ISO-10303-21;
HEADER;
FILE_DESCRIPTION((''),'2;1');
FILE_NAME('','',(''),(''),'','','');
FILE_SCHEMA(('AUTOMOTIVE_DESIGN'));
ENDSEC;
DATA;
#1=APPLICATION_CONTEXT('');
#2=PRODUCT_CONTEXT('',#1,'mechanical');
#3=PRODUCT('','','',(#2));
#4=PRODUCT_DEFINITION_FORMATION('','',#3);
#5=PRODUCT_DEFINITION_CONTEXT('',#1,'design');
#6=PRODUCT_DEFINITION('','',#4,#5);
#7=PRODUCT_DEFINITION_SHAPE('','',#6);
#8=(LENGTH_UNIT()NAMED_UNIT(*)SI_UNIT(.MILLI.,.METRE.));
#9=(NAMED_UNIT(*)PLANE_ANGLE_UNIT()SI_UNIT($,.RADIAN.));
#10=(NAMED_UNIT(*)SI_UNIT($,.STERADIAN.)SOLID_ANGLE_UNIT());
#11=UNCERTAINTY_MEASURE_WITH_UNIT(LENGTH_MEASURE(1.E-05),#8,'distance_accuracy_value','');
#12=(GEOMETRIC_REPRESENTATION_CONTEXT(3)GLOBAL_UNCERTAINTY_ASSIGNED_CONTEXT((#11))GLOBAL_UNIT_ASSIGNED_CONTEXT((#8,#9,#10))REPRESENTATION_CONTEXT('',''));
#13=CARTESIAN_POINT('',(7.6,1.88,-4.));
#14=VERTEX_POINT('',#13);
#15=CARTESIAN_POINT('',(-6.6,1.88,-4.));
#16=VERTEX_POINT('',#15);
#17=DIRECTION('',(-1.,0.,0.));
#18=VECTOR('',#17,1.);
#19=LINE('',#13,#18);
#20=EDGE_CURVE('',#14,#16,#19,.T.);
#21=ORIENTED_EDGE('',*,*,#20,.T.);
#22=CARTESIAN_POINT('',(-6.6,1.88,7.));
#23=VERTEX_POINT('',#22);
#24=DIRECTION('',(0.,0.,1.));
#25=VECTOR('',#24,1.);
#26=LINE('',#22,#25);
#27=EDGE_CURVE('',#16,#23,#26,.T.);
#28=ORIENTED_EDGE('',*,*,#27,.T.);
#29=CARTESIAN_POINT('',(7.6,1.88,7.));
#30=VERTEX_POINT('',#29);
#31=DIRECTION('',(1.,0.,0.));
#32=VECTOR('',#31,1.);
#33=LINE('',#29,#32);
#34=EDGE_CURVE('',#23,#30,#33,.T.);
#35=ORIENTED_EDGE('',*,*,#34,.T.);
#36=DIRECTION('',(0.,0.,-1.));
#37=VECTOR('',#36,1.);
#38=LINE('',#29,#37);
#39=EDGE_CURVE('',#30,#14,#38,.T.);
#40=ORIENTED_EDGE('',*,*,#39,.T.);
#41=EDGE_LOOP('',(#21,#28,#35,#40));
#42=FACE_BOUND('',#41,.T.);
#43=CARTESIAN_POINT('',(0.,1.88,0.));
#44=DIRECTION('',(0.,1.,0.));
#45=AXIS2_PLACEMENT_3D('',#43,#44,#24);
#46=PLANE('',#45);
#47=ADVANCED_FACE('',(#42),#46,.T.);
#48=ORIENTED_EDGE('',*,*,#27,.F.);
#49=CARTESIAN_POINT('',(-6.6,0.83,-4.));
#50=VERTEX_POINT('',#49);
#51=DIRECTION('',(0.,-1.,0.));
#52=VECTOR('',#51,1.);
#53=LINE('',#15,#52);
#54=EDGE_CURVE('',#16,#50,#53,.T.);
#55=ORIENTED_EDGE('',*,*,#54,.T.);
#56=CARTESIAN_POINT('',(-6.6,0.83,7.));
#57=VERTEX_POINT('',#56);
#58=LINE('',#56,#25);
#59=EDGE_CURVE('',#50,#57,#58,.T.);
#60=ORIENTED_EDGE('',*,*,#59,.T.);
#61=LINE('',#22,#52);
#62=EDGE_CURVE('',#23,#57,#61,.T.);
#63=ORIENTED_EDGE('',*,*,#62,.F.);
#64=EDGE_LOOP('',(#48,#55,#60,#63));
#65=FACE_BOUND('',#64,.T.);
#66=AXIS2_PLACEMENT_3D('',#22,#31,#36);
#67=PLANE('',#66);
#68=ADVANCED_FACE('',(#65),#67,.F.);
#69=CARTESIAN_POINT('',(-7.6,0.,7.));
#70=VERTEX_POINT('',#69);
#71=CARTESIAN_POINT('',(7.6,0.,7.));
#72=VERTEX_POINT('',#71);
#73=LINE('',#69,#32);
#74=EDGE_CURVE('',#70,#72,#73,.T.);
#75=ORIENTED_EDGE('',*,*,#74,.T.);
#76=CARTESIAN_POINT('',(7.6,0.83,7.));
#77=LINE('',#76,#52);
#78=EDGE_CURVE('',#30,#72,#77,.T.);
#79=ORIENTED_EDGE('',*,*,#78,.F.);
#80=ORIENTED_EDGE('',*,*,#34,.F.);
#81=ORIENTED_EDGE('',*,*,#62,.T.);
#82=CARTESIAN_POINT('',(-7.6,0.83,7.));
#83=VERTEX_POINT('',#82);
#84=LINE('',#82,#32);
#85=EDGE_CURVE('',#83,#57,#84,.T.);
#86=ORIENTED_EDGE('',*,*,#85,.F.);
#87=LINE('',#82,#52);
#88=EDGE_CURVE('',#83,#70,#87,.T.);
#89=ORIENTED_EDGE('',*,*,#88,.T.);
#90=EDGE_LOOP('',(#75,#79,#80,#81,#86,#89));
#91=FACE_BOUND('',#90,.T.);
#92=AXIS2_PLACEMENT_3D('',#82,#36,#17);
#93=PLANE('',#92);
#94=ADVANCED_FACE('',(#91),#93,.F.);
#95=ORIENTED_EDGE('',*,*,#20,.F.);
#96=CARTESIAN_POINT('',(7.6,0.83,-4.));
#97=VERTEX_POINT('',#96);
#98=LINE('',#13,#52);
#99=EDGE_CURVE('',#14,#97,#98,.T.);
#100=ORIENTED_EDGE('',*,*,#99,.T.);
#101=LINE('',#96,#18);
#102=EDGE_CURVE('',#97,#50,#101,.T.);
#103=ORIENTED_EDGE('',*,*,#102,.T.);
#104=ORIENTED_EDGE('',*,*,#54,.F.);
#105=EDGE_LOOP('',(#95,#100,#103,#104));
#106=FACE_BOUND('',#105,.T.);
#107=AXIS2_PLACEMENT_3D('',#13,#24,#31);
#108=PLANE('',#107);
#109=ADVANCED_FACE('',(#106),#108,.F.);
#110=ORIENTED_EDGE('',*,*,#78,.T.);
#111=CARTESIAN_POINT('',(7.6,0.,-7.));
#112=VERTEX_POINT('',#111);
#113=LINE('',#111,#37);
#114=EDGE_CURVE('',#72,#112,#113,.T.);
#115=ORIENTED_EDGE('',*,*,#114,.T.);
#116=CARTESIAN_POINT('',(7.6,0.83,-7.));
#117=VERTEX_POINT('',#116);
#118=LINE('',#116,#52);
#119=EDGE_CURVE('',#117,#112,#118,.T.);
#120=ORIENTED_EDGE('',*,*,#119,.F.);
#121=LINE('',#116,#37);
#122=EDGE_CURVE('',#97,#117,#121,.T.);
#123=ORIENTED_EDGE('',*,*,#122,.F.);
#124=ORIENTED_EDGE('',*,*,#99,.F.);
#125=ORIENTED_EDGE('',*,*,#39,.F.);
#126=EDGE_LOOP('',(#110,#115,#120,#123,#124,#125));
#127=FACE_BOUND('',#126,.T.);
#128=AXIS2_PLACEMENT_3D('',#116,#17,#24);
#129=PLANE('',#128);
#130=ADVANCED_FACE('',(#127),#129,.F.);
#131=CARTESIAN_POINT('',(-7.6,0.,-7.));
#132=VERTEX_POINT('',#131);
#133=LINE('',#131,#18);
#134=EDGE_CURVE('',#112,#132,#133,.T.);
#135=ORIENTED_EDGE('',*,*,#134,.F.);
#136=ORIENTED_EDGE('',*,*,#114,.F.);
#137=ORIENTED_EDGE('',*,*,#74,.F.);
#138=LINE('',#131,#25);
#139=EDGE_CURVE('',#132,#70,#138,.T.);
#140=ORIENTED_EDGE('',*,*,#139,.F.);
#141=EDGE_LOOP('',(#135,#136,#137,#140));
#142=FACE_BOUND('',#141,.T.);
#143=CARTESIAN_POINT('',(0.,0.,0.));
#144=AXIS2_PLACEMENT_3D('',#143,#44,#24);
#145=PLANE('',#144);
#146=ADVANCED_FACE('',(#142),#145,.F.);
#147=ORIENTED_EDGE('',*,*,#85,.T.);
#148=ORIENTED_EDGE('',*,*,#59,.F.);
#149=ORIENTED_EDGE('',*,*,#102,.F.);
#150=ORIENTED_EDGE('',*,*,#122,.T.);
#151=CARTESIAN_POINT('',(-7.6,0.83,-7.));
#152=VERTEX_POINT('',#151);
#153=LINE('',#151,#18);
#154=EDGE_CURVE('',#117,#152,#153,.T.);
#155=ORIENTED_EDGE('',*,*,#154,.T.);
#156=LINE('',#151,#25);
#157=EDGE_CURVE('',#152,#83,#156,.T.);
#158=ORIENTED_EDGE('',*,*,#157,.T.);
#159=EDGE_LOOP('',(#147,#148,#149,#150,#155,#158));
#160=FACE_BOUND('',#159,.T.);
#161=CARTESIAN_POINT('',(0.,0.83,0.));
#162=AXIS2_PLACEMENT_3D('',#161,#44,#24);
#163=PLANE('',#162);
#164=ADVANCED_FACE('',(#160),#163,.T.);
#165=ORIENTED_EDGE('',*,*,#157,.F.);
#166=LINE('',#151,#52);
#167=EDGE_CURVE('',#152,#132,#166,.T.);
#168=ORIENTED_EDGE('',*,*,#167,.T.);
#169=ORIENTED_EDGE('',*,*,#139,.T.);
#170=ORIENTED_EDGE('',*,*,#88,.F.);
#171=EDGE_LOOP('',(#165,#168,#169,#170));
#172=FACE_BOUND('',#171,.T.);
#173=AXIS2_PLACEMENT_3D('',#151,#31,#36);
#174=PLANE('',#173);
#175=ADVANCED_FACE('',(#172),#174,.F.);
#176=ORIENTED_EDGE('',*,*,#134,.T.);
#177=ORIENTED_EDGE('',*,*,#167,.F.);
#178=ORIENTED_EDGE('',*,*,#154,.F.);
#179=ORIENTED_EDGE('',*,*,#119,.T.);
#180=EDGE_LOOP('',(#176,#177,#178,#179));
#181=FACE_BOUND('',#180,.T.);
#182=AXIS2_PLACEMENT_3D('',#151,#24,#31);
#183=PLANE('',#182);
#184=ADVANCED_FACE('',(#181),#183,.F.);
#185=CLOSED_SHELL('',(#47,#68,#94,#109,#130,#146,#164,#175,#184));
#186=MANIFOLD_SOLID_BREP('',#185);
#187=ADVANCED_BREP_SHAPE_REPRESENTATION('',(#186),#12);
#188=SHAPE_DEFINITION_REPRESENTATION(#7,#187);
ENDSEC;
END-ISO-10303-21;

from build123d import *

# Parameters (mm, degrees)
SKETCH1_W           = 15.2
SKETCH1_H           = 14
BOSS_EXTRUDE1_DEPTH = 0.83
SKETCH2_W           = 14.2
SKETCH2_H           = 11
BOSS_EXTRUDE2_DEPTH = 1.05


with BuildPart() as part:
    # Sketch1 → Boss-Extrude1 (new body)
    with BuildSketch(Plane(origin=(0, 0, 0), x_dir=(1, 0, 0), z_dir=(0, 1, 0))):
        Rectangle(SKETCH1_W, SKETCH1_H)
    extrude(amount=BOSS_EXTRUDE1_DEPTH)

    # Sketch2 → Boss-Extrude2 (add)
    with BuildSketch(Plane(origin=(0, 0.83, 0), x_dir=(1, 0, 0), z_dir=(0, 1, 0))):
        with Locations((0.5, -1.5)):
            Rectangle(SKETCH2_W, SKETCH2_H)
    extrude(amount=BOSS_EXTRUDE2_DEPTH)


solid = part.part
